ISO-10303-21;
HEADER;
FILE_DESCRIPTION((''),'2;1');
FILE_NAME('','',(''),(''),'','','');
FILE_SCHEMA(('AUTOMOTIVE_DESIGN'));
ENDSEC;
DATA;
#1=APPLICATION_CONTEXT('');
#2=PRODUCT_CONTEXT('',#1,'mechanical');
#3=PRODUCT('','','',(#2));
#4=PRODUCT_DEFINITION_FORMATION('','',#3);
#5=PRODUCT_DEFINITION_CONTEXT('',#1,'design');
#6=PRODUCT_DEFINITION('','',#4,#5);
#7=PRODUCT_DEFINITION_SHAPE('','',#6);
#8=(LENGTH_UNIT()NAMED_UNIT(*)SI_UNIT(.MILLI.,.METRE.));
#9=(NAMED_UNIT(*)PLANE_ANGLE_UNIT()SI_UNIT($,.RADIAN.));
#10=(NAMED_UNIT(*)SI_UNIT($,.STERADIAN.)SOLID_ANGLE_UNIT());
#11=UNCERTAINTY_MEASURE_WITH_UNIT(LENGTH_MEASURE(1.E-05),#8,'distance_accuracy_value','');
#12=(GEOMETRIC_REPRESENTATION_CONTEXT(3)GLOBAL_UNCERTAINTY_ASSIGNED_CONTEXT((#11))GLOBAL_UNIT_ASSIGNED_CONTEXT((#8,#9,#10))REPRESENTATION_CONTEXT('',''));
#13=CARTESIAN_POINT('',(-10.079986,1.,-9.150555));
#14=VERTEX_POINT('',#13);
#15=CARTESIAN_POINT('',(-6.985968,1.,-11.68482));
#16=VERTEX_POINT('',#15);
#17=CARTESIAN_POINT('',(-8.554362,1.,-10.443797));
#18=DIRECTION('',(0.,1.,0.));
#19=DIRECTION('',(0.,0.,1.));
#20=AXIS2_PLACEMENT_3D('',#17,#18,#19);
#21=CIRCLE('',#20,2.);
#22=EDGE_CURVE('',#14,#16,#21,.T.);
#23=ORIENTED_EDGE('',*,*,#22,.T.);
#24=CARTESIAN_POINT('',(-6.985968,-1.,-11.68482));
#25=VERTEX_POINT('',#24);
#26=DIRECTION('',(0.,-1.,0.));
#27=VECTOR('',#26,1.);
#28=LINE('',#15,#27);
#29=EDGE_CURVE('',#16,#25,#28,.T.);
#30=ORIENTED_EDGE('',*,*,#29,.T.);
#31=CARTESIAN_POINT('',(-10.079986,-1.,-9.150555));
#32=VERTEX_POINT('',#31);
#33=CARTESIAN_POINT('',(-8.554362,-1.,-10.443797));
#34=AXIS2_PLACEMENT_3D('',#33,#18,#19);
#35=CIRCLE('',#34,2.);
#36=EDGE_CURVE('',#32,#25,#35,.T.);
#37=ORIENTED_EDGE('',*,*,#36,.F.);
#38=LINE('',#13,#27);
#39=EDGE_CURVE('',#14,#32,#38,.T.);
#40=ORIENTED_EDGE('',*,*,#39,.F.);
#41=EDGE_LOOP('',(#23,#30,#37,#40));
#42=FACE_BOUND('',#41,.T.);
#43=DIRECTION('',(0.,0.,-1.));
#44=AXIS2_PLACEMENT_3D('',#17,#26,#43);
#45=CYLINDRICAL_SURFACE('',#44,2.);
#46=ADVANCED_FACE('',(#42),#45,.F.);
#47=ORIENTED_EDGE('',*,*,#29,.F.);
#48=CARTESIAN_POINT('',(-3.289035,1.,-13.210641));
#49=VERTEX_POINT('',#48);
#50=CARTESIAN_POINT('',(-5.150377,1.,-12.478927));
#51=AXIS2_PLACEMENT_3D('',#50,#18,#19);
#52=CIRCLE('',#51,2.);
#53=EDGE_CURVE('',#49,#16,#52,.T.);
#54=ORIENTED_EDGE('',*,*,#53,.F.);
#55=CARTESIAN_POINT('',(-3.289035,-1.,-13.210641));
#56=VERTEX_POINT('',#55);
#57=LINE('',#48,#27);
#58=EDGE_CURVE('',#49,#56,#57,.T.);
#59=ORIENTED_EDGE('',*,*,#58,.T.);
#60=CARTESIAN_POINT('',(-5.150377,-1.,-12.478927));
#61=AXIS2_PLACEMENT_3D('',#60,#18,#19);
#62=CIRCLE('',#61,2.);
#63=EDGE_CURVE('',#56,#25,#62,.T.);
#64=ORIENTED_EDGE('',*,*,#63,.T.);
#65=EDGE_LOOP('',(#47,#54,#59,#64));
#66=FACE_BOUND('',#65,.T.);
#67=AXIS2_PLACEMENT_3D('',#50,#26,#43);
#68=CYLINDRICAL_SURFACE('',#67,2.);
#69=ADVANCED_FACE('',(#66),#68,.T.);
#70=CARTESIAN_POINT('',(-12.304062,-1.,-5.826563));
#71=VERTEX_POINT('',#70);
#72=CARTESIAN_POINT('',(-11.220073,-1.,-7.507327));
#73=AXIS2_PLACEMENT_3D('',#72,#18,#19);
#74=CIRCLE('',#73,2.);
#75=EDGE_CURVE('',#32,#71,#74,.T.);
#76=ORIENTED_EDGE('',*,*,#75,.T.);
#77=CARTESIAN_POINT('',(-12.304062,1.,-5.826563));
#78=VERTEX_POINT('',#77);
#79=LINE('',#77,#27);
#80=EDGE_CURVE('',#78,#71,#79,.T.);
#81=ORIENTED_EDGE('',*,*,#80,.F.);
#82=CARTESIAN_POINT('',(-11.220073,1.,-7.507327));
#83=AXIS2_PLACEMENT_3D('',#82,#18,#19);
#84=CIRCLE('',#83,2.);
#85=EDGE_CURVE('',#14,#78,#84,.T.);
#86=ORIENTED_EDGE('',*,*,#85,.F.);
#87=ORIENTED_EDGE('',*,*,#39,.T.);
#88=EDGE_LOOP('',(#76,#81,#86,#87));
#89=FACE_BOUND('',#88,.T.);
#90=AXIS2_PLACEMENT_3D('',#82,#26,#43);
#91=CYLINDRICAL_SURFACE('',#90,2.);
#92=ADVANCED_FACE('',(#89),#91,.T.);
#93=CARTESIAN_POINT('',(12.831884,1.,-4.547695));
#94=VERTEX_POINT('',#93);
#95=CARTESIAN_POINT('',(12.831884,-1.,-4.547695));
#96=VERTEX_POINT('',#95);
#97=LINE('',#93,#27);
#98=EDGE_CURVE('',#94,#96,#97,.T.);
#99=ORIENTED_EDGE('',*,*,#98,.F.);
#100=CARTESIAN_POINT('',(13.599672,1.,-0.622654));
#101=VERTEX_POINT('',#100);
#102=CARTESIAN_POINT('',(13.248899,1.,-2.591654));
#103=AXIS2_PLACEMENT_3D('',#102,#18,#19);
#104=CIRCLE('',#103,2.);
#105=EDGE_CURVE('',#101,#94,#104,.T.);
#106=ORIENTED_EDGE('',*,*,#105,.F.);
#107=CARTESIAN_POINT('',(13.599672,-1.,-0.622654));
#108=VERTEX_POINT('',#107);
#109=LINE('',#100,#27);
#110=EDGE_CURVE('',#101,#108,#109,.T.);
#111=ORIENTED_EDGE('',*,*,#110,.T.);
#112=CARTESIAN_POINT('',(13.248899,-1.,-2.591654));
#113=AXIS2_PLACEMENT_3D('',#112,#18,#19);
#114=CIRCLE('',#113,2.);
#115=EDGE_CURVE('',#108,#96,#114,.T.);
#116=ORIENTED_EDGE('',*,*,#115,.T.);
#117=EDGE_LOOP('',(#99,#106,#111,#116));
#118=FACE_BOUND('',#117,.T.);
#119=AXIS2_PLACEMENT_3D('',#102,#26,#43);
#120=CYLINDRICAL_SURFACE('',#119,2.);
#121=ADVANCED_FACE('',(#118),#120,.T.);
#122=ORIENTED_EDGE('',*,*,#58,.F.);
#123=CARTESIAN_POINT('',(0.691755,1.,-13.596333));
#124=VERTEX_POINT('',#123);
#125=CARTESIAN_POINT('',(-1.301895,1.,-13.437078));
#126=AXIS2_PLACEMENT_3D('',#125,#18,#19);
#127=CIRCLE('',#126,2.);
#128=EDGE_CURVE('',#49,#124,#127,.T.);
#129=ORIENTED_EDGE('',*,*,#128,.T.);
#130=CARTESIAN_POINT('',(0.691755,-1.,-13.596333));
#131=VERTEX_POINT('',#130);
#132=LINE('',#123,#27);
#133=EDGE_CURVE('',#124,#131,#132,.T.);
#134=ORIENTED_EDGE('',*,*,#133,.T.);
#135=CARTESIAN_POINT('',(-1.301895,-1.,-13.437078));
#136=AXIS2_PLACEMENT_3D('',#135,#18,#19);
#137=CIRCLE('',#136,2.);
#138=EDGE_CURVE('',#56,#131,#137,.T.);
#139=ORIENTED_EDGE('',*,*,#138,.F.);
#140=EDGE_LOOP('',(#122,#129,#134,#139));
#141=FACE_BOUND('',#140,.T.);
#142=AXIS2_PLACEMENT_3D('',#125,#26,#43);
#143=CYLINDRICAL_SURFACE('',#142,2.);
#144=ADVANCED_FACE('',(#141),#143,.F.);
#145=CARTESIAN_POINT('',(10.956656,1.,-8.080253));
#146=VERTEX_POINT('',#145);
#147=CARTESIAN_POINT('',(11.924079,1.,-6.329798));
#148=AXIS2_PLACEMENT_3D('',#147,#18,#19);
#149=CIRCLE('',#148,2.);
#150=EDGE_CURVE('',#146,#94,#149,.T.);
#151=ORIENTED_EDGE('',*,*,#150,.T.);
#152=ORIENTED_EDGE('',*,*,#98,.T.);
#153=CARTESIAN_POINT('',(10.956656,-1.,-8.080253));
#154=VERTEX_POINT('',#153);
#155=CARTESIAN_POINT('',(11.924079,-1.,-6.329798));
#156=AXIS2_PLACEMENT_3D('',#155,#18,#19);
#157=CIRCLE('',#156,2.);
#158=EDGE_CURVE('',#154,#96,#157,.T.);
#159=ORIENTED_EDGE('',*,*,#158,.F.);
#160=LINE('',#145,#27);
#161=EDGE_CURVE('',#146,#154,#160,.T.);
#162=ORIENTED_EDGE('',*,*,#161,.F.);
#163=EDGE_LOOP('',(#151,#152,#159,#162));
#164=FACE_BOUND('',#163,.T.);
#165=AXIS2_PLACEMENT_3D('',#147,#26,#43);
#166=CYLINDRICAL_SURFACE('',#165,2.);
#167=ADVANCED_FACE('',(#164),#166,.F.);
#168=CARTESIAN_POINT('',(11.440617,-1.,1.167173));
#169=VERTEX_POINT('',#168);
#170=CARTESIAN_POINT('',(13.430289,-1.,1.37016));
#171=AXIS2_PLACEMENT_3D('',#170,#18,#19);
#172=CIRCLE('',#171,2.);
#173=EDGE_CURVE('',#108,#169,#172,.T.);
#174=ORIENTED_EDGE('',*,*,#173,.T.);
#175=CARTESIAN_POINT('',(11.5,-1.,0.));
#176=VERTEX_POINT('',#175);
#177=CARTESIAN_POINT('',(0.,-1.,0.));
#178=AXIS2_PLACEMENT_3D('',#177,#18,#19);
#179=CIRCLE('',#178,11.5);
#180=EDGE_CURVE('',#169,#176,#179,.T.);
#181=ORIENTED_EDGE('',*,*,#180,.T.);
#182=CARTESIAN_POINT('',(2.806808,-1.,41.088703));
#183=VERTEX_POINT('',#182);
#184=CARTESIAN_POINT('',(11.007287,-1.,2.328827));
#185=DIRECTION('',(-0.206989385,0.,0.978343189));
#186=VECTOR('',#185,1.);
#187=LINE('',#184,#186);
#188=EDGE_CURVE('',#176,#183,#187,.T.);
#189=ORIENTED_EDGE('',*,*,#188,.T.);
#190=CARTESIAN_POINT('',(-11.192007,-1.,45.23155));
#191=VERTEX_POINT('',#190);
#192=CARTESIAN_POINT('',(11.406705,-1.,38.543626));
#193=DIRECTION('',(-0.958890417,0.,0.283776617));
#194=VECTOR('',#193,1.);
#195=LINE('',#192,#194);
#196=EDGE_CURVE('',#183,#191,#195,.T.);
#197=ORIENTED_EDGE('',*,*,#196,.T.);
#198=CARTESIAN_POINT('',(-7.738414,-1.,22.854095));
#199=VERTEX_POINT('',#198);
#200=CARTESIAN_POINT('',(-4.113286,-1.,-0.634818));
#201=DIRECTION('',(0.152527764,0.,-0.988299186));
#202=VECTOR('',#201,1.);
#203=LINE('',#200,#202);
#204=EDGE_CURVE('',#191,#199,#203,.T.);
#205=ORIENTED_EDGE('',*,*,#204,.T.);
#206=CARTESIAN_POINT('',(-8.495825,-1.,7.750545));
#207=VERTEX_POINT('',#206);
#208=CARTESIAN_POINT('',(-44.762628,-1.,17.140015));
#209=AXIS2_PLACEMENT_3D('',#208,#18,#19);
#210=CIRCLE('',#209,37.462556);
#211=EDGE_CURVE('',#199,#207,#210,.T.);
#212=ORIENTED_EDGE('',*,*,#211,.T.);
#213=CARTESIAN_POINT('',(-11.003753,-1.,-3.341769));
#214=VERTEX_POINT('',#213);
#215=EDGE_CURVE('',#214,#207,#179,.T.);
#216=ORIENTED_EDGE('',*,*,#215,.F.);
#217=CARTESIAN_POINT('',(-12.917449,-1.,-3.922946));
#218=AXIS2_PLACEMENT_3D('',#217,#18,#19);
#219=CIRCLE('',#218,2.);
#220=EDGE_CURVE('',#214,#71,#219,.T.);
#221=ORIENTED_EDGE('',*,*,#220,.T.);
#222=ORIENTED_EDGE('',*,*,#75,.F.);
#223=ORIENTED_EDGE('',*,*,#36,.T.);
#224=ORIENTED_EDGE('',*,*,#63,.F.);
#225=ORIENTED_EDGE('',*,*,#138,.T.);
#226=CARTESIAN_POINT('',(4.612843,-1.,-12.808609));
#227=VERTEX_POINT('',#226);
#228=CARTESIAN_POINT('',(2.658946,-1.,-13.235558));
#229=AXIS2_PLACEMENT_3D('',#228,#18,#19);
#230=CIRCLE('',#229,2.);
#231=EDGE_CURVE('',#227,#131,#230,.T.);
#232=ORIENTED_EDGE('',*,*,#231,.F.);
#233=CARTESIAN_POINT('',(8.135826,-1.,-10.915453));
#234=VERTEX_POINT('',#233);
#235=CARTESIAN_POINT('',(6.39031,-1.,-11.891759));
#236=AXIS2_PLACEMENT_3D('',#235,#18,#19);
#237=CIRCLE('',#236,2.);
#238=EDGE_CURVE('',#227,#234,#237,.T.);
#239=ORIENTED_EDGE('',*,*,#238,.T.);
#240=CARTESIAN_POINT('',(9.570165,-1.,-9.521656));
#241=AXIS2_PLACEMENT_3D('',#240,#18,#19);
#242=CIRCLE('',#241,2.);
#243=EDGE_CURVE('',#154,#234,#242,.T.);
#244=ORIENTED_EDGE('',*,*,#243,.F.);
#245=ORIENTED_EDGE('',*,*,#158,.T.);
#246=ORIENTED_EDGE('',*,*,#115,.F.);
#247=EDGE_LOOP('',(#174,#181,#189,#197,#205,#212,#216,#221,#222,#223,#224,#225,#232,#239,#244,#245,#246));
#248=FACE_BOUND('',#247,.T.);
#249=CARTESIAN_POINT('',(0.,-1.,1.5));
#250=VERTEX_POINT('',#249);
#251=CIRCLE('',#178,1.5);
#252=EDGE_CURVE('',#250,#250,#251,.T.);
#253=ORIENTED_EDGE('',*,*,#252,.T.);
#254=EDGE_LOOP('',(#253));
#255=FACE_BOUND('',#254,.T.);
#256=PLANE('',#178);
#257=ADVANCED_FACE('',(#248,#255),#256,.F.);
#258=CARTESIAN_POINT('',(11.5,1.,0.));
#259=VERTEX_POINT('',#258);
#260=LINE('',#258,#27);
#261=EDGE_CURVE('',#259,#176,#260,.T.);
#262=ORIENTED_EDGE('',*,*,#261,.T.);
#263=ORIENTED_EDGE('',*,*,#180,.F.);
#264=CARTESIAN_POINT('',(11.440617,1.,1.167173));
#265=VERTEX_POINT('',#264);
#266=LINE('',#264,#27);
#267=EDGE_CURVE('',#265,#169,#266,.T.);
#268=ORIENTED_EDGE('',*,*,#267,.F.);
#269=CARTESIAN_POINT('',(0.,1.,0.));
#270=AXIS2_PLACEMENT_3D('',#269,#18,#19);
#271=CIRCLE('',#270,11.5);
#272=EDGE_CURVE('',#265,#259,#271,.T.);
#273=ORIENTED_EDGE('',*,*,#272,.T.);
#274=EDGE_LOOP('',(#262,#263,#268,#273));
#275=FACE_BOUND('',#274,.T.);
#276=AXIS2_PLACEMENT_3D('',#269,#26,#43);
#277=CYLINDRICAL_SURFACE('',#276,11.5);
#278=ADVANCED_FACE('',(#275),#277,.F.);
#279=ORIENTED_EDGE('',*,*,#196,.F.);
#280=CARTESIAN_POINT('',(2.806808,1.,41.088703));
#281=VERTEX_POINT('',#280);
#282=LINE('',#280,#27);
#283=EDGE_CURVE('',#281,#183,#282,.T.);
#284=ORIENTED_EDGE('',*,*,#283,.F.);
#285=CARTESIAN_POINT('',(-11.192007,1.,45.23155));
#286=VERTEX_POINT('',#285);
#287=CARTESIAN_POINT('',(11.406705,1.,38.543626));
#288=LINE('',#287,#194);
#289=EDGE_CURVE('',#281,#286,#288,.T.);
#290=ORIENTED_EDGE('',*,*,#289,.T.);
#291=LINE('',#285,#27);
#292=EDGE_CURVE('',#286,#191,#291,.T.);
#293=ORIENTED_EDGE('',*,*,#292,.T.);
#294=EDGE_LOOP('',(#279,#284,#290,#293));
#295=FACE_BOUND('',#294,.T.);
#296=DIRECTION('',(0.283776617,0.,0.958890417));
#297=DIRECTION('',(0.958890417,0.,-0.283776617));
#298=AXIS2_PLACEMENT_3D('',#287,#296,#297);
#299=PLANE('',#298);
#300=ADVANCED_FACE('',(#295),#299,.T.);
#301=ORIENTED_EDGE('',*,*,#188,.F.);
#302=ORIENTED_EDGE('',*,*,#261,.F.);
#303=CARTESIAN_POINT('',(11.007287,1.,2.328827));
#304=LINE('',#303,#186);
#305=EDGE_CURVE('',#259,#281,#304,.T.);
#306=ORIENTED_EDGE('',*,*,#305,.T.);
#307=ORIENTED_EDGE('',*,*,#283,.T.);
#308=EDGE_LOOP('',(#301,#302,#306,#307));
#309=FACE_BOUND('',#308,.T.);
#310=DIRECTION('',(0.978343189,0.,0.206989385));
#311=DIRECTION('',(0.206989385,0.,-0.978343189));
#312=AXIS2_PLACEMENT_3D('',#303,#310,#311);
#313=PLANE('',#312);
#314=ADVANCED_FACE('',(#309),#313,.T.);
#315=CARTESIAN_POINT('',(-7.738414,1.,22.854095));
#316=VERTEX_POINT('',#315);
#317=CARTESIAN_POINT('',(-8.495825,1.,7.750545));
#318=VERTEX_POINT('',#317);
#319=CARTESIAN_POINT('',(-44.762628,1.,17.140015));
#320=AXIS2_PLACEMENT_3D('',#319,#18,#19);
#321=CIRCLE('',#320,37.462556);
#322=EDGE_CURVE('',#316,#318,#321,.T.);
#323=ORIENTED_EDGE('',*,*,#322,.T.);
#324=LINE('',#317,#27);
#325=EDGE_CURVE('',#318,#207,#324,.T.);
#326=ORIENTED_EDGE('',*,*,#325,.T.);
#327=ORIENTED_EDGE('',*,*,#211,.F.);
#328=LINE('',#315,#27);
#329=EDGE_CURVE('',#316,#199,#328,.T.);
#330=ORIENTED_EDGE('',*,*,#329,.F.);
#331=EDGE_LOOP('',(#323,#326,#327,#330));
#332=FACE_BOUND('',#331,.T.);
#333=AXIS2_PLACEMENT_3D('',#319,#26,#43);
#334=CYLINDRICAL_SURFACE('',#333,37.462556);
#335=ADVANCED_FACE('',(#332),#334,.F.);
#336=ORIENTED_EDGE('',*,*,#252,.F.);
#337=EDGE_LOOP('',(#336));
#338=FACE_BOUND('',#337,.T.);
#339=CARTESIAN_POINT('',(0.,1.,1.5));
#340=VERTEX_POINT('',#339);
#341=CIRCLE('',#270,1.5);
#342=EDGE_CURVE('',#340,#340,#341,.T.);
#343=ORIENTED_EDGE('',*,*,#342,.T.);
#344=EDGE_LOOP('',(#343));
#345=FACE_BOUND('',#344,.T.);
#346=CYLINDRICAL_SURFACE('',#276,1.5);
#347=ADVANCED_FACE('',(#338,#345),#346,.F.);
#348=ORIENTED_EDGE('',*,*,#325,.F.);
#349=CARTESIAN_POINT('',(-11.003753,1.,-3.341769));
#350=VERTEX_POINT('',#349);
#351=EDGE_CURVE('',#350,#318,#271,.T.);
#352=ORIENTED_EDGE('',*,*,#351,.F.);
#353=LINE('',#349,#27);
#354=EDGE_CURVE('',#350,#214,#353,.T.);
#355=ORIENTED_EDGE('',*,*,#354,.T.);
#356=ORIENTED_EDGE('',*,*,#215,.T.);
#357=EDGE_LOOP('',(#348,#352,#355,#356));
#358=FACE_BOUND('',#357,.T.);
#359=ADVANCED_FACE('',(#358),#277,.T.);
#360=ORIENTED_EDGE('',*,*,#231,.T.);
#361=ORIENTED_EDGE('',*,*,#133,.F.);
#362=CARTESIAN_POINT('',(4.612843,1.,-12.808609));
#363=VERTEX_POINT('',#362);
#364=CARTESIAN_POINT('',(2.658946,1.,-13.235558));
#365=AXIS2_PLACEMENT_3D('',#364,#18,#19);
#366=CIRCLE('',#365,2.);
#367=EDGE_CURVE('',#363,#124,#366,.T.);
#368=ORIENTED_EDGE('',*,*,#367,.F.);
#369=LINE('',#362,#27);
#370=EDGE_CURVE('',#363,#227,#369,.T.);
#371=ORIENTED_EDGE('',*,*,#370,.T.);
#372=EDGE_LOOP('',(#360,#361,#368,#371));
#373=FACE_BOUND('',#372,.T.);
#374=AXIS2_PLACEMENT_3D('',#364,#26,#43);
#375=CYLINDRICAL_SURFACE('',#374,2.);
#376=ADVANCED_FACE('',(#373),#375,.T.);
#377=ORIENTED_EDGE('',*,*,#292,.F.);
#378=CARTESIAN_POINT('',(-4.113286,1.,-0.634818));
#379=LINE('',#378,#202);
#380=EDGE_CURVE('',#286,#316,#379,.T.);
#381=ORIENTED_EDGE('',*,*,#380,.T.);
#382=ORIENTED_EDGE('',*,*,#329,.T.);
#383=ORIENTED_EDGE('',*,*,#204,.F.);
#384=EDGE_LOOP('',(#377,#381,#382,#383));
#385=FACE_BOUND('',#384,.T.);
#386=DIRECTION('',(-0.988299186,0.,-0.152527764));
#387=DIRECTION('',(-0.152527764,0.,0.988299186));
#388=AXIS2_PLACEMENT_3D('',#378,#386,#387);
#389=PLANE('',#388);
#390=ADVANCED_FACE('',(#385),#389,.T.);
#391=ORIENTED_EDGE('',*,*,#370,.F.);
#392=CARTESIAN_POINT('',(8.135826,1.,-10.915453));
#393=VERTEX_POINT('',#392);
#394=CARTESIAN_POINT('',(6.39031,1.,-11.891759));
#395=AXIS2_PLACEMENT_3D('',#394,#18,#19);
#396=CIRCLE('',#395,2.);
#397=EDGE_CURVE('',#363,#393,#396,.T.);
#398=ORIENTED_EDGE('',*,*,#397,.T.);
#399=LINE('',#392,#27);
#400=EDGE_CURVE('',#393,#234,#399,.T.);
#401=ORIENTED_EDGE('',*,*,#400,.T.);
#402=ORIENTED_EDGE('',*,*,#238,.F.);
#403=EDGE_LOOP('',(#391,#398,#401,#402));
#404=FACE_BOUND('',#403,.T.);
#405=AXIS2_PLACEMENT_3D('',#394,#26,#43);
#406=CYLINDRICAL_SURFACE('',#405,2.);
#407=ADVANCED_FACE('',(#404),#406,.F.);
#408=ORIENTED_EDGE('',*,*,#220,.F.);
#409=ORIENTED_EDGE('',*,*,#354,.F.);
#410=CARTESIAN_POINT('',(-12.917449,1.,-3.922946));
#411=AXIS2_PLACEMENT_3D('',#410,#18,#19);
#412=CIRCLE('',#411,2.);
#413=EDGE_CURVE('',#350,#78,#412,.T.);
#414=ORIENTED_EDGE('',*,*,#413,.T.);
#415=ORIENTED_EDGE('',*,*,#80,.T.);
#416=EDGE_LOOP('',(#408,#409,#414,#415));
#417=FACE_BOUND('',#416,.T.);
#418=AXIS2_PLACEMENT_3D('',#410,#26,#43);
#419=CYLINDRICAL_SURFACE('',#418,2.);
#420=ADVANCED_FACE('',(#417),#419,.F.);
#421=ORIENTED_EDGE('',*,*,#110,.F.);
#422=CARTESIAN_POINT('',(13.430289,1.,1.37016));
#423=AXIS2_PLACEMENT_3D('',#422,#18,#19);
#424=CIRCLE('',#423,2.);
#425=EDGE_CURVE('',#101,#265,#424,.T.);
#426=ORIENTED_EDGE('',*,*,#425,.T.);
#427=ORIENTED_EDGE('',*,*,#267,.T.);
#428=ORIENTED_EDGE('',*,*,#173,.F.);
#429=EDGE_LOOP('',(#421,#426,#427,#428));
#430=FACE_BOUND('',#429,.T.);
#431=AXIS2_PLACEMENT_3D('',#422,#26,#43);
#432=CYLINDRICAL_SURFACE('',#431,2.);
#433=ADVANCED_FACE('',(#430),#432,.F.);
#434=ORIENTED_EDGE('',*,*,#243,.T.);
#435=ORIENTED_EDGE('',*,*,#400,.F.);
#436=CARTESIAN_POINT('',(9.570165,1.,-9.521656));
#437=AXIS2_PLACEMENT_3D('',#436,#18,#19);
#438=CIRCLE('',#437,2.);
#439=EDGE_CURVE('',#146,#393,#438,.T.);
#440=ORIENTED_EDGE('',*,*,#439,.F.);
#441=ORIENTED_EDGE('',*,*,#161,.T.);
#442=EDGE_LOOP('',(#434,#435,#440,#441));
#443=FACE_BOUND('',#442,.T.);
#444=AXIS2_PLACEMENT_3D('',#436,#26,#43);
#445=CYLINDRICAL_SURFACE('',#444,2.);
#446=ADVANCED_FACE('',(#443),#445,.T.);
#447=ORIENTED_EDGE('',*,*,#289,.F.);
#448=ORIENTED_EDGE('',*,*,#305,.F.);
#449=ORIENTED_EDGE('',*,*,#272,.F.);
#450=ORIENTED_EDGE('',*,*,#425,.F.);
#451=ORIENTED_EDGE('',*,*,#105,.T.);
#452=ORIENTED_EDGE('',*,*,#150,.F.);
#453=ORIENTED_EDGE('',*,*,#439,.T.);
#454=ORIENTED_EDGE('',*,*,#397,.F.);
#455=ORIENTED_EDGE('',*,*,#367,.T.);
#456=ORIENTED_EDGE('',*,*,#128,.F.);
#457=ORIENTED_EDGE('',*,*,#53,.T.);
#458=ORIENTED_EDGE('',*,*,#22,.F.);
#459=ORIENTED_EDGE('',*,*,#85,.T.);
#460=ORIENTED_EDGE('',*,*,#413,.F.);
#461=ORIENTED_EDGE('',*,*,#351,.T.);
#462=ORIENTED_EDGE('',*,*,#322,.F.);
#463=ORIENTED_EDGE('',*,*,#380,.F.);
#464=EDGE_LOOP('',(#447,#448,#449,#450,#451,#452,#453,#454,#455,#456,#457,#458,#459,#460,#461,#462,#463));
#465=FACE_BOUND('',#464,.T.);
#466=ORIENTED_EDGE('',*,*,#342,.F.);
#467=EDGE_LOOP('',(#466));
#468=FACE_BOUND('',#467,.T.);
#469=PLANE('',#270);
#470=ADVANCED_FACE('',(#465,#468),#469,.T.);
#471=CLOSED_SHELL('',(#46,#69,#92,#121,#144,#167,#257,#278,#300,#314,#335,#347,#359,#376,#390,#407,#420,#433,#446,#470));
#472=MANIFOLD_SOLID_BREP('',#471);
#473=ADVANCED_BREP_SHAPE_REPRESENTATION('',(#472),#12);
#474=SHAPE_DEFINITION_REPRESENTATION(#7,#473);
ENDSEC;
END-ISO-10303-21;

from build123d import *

# Parameters (mm, degrees)
SKETCH1_R           = 1.5
BOSS_EXTRUDE3_DEPTH = 1
BOSS_EXTRUDE5_DEPTH = 1


with BuildPart() as part:
    # Sketch1 → Boss-Extrude3 (new, symmetric)
    with BuildSketch(Plane(origin=(0, 0, 0), x_dir=(1, 0, 0), z_dir=(0, 1, 0))):
        with BuildLine():
            Line((10.514574075, -4.657653059), (11.5, 0))
            ThreePointArc((11.5, 0), (11.485144533, -0.58434155), (11.440616514, -1.167173419))
            ThreePointArc((11.440616514, -1.167173419), (12.15387442, 0.169569159), (13.599672235, 0.622654405))
            ThreePointArc((13.599672235, 0.622654405), (15.211699124, 2.97560242), (12.831884171, 4.547695243))
            ThreePointArc((12.831884171, 4.547695243), (10.157548748, 5.392050021), (10.95665555, 8.080252631))
            ThreePointArc((10.95665555, 8.080252631), (10.987967437, 10.932272023), (8.135825754, 10.91545339))
            ThreePointArc((8.135825754, 10.91545339), (5.443597104, 10.130017304), (4.612843157, 12.808608879))
            ThreePointArc((4.612843157, 12.808608879), (3.052863924, 15.196381867), (0.691754597, 13.596332557))
            ThreePointArc((0.691754597, 13.596332557), (-1.109021523, 11.446399926), (-3.289035023, 13.210640864))
            ThreePointArc((-3.289035023, 13.210640864), (-5.913396009, 14.327656739), (-6.985968373, 11.684820465))
            ThreePointArc((-6.985968373, 11.684820465), (-7.287049374, 8.896567395), (-10.079986001, 9.150555482))
            ThreePointArc((-10.079986001, 9.150555482), (-12.882306434, 8.619523243), (-12.304062381, 5.826562651))
            ThreePointArc((-12.304062381, 5.826562651), (-11.145420085, 4.850260698), (-11.003753067, 3.341768759))
            ThreePointArc((-11.003753067, 3.341768759), (-4.007182474, -10.77926197), (10.514574075, -4.657653059))
        make_face()
        with Locations(Location((0, 0, 0), (0, 0, 270))):
            Circle(SKETCH1_R, mode=Mode.SUBTRACT)
    extrude(amount=BOSS_EXTRUDE3_DEPTH, both=True)

    # Sketch1<5> → Boss-Extrude5 (add, symmetric)
    with BuildSketch(Plane(origin=(0, 0, 0), x_dir=(1, 0, 0), z_dir=(0, 1, 0))):
        with BuildLine():
            Line((2.806807826, -41.088702969), (10.514574075, -4.657653059))
            ThreePointArc((10.514574075, -4.657653059), (1.846708509, -11.35075626), (-8.495825279, -7.750545324))
            ThreePointArc((-8.495825279, -7.750545324), (-7.347088724, -15.263704681), (-7.738414168, -22.854094893))
            Line((-7.738414168, -22.854094893), (-11.192007229, -45.231550072))
            Line((-11.192007229, -45.231550072), (2.806807826, -41.088702969))
        make_face()
    extrude(amount=BOSS_EXTRUDE5_DEPTH, both=True)


solid = part.part
